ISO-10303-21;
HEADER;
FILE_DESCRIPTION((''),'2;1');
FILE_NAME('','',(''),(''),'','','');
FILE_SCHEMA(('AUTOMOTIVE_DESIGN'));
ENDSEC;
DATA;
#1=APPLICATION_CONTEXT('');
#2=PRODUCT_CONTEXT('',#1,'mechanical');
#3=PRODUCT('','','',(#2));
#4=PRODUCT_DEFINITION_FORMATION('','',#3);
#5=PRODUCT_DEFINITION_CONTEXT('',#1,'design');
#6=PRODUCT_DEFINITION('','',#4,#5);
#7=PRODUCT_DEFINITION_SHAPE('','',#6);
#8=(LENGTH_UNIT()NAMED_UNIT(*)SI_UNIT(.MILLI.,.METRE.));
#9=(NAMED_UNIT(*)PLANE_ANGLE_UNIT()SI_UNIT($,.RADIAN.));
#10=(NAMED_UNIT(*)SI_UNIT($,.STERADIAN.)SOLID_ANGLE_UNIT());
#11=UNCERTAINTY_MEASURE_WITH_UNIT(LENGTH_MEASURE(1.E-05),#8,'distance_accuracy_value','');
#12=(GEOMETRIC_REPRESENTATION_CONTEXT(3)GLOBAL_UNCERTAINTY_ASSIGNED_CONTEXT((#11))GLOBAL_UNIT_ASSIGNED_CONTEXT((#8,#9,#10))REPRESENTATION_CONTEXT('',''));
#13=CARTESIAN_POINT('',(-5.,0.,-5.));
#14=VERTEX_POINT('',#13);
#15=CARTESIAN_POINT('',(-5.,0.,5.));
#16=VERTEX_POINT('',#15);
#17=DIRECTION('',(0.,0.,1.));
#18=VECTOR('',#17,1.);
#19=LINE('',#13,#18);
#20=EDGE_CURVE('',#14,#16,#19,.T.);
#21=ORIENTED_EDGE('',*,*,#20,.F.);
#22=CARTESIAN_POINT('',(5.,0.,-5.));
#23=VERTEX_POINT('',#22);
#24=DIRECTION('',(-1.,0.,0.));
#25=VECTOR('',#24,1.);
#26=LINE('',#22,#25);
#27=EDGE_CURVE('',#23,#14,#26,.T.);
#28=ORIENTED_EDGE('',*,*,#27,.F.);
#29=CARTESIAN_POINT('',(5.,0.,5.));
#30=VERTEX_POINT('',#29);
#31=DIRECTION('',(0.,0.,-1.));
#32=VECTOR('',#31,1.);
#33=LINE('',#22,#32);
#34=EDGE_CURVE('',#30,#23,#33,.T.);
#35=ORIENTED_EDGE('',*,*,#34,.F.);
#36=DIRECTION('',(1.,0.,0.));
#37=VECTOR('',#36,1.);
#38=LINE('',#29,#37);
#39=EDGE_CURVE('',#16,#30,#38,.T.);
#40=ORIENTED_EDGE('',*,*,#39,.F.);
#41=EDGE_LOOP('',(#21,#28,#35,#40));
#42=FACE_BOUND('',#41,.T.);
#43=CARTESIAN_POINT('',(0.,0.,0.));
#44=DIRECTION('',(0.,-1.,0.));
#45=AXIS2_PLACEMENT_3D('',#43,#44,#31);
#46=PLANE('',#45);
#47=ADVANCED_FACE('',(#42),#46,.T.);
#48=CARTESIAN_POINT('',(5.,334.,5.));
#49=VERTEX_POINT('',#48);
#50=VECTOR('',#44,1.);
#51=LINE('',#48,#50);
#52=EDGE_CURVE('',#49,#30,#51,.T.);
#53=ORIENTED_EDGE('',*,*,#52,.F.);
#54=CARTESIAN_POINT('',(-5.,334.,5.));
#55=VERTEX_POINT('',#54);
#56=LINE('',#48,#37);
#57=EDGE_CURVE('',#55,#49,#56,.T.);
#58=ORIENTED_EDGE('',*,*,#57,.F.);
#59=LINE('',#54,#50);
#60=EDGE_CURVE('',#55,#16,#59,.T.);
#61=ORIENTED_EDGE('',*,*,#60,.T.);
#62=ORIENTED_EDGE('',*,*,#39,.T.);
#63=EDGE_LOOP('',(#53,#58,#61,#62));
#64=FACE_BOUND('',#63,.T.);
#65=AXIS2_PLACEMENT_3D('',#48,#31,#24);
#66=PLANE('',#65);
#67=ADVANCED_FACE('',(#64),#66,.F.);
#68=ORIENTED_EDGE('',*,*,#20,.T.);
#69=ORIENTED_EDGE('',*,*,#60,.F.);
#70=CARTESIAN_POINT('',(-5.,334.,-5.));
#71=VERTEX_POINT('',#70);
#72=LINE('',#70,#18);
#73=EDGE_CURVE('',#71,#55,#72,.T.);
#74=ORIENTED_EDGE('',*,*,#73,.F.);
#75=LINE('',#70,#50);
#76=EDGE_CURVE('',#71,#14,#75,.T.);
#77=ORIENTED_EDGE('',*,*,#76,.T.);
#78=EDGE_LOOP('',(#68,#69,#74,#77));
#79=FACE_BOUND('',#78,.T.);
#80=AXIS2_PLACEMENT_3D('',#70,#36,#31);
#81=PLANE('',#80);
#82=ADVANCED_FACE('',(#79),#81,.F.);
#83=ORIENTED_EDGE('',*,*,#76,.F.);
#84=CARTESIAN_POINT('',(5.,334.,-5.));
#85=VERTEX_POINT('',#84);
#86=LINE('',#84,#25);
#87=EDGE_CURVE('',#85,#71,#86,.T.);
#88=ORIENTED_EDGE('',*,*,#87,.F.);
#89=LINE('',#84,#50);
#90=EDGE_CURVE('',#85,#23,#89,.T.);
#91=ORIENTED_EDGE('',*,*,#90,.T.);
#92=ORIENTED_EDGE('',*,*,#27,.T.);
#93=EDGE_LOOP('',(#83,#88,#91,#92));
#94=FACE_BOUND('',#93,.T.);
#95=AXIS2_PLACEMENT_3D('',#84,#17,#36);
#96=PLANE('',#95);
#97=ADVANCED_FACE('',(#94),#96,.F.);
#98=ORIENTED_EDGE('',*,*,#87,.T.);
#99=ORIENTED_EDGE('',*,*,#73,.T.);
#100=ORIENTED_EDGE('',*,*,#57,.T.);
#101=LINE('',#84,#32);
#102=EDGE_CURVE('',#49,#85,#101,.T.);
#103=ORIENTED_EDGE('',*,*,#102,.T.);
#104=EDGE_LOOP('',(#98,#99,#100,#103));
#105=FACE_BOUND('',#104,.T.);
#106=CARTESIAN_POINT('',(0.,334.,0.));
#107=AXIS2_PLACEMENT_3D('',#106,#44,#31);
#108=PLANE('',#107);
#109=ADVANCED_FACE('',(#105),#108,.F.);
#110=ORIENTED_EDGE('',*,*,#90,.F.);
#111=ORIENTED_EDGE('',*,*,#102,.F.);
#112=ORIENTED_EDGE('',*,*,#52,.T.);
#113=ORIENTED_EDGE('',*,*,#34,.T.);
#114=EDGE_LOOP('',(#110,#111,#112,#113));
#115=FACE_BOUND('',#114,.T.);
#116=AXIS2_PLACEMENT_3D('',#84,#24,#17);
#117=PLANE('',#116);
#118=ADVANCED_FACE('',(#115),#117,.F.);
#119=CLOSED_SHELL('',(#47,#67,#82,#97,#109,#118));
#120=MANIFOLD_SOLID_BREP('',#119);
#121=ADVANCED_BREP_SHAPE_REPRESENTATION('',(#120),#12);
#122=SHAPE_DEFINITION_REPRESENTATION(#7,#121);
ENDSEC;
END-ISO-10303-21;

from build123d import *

# Parameters (mm, degrees)
SKETCH_1_W      = 10
SKETCH_1_H      = 10
EXTRUDE_1_DEPTH = 334


with BuildPart() as part:
    # Эскиз1 → Бобышка-Вытянуть1 (new body)
    with BuildSketch(Plane(origin=(0, 0, 0), x_dir=(1, 0, 0), z_dir=(0, 1, 0))):
        Rectangle(SKETCH_1_W, SKETCH_1_H)
    extrude(amount=EXTRUDE_1_DEPTH)


solid = part.part
